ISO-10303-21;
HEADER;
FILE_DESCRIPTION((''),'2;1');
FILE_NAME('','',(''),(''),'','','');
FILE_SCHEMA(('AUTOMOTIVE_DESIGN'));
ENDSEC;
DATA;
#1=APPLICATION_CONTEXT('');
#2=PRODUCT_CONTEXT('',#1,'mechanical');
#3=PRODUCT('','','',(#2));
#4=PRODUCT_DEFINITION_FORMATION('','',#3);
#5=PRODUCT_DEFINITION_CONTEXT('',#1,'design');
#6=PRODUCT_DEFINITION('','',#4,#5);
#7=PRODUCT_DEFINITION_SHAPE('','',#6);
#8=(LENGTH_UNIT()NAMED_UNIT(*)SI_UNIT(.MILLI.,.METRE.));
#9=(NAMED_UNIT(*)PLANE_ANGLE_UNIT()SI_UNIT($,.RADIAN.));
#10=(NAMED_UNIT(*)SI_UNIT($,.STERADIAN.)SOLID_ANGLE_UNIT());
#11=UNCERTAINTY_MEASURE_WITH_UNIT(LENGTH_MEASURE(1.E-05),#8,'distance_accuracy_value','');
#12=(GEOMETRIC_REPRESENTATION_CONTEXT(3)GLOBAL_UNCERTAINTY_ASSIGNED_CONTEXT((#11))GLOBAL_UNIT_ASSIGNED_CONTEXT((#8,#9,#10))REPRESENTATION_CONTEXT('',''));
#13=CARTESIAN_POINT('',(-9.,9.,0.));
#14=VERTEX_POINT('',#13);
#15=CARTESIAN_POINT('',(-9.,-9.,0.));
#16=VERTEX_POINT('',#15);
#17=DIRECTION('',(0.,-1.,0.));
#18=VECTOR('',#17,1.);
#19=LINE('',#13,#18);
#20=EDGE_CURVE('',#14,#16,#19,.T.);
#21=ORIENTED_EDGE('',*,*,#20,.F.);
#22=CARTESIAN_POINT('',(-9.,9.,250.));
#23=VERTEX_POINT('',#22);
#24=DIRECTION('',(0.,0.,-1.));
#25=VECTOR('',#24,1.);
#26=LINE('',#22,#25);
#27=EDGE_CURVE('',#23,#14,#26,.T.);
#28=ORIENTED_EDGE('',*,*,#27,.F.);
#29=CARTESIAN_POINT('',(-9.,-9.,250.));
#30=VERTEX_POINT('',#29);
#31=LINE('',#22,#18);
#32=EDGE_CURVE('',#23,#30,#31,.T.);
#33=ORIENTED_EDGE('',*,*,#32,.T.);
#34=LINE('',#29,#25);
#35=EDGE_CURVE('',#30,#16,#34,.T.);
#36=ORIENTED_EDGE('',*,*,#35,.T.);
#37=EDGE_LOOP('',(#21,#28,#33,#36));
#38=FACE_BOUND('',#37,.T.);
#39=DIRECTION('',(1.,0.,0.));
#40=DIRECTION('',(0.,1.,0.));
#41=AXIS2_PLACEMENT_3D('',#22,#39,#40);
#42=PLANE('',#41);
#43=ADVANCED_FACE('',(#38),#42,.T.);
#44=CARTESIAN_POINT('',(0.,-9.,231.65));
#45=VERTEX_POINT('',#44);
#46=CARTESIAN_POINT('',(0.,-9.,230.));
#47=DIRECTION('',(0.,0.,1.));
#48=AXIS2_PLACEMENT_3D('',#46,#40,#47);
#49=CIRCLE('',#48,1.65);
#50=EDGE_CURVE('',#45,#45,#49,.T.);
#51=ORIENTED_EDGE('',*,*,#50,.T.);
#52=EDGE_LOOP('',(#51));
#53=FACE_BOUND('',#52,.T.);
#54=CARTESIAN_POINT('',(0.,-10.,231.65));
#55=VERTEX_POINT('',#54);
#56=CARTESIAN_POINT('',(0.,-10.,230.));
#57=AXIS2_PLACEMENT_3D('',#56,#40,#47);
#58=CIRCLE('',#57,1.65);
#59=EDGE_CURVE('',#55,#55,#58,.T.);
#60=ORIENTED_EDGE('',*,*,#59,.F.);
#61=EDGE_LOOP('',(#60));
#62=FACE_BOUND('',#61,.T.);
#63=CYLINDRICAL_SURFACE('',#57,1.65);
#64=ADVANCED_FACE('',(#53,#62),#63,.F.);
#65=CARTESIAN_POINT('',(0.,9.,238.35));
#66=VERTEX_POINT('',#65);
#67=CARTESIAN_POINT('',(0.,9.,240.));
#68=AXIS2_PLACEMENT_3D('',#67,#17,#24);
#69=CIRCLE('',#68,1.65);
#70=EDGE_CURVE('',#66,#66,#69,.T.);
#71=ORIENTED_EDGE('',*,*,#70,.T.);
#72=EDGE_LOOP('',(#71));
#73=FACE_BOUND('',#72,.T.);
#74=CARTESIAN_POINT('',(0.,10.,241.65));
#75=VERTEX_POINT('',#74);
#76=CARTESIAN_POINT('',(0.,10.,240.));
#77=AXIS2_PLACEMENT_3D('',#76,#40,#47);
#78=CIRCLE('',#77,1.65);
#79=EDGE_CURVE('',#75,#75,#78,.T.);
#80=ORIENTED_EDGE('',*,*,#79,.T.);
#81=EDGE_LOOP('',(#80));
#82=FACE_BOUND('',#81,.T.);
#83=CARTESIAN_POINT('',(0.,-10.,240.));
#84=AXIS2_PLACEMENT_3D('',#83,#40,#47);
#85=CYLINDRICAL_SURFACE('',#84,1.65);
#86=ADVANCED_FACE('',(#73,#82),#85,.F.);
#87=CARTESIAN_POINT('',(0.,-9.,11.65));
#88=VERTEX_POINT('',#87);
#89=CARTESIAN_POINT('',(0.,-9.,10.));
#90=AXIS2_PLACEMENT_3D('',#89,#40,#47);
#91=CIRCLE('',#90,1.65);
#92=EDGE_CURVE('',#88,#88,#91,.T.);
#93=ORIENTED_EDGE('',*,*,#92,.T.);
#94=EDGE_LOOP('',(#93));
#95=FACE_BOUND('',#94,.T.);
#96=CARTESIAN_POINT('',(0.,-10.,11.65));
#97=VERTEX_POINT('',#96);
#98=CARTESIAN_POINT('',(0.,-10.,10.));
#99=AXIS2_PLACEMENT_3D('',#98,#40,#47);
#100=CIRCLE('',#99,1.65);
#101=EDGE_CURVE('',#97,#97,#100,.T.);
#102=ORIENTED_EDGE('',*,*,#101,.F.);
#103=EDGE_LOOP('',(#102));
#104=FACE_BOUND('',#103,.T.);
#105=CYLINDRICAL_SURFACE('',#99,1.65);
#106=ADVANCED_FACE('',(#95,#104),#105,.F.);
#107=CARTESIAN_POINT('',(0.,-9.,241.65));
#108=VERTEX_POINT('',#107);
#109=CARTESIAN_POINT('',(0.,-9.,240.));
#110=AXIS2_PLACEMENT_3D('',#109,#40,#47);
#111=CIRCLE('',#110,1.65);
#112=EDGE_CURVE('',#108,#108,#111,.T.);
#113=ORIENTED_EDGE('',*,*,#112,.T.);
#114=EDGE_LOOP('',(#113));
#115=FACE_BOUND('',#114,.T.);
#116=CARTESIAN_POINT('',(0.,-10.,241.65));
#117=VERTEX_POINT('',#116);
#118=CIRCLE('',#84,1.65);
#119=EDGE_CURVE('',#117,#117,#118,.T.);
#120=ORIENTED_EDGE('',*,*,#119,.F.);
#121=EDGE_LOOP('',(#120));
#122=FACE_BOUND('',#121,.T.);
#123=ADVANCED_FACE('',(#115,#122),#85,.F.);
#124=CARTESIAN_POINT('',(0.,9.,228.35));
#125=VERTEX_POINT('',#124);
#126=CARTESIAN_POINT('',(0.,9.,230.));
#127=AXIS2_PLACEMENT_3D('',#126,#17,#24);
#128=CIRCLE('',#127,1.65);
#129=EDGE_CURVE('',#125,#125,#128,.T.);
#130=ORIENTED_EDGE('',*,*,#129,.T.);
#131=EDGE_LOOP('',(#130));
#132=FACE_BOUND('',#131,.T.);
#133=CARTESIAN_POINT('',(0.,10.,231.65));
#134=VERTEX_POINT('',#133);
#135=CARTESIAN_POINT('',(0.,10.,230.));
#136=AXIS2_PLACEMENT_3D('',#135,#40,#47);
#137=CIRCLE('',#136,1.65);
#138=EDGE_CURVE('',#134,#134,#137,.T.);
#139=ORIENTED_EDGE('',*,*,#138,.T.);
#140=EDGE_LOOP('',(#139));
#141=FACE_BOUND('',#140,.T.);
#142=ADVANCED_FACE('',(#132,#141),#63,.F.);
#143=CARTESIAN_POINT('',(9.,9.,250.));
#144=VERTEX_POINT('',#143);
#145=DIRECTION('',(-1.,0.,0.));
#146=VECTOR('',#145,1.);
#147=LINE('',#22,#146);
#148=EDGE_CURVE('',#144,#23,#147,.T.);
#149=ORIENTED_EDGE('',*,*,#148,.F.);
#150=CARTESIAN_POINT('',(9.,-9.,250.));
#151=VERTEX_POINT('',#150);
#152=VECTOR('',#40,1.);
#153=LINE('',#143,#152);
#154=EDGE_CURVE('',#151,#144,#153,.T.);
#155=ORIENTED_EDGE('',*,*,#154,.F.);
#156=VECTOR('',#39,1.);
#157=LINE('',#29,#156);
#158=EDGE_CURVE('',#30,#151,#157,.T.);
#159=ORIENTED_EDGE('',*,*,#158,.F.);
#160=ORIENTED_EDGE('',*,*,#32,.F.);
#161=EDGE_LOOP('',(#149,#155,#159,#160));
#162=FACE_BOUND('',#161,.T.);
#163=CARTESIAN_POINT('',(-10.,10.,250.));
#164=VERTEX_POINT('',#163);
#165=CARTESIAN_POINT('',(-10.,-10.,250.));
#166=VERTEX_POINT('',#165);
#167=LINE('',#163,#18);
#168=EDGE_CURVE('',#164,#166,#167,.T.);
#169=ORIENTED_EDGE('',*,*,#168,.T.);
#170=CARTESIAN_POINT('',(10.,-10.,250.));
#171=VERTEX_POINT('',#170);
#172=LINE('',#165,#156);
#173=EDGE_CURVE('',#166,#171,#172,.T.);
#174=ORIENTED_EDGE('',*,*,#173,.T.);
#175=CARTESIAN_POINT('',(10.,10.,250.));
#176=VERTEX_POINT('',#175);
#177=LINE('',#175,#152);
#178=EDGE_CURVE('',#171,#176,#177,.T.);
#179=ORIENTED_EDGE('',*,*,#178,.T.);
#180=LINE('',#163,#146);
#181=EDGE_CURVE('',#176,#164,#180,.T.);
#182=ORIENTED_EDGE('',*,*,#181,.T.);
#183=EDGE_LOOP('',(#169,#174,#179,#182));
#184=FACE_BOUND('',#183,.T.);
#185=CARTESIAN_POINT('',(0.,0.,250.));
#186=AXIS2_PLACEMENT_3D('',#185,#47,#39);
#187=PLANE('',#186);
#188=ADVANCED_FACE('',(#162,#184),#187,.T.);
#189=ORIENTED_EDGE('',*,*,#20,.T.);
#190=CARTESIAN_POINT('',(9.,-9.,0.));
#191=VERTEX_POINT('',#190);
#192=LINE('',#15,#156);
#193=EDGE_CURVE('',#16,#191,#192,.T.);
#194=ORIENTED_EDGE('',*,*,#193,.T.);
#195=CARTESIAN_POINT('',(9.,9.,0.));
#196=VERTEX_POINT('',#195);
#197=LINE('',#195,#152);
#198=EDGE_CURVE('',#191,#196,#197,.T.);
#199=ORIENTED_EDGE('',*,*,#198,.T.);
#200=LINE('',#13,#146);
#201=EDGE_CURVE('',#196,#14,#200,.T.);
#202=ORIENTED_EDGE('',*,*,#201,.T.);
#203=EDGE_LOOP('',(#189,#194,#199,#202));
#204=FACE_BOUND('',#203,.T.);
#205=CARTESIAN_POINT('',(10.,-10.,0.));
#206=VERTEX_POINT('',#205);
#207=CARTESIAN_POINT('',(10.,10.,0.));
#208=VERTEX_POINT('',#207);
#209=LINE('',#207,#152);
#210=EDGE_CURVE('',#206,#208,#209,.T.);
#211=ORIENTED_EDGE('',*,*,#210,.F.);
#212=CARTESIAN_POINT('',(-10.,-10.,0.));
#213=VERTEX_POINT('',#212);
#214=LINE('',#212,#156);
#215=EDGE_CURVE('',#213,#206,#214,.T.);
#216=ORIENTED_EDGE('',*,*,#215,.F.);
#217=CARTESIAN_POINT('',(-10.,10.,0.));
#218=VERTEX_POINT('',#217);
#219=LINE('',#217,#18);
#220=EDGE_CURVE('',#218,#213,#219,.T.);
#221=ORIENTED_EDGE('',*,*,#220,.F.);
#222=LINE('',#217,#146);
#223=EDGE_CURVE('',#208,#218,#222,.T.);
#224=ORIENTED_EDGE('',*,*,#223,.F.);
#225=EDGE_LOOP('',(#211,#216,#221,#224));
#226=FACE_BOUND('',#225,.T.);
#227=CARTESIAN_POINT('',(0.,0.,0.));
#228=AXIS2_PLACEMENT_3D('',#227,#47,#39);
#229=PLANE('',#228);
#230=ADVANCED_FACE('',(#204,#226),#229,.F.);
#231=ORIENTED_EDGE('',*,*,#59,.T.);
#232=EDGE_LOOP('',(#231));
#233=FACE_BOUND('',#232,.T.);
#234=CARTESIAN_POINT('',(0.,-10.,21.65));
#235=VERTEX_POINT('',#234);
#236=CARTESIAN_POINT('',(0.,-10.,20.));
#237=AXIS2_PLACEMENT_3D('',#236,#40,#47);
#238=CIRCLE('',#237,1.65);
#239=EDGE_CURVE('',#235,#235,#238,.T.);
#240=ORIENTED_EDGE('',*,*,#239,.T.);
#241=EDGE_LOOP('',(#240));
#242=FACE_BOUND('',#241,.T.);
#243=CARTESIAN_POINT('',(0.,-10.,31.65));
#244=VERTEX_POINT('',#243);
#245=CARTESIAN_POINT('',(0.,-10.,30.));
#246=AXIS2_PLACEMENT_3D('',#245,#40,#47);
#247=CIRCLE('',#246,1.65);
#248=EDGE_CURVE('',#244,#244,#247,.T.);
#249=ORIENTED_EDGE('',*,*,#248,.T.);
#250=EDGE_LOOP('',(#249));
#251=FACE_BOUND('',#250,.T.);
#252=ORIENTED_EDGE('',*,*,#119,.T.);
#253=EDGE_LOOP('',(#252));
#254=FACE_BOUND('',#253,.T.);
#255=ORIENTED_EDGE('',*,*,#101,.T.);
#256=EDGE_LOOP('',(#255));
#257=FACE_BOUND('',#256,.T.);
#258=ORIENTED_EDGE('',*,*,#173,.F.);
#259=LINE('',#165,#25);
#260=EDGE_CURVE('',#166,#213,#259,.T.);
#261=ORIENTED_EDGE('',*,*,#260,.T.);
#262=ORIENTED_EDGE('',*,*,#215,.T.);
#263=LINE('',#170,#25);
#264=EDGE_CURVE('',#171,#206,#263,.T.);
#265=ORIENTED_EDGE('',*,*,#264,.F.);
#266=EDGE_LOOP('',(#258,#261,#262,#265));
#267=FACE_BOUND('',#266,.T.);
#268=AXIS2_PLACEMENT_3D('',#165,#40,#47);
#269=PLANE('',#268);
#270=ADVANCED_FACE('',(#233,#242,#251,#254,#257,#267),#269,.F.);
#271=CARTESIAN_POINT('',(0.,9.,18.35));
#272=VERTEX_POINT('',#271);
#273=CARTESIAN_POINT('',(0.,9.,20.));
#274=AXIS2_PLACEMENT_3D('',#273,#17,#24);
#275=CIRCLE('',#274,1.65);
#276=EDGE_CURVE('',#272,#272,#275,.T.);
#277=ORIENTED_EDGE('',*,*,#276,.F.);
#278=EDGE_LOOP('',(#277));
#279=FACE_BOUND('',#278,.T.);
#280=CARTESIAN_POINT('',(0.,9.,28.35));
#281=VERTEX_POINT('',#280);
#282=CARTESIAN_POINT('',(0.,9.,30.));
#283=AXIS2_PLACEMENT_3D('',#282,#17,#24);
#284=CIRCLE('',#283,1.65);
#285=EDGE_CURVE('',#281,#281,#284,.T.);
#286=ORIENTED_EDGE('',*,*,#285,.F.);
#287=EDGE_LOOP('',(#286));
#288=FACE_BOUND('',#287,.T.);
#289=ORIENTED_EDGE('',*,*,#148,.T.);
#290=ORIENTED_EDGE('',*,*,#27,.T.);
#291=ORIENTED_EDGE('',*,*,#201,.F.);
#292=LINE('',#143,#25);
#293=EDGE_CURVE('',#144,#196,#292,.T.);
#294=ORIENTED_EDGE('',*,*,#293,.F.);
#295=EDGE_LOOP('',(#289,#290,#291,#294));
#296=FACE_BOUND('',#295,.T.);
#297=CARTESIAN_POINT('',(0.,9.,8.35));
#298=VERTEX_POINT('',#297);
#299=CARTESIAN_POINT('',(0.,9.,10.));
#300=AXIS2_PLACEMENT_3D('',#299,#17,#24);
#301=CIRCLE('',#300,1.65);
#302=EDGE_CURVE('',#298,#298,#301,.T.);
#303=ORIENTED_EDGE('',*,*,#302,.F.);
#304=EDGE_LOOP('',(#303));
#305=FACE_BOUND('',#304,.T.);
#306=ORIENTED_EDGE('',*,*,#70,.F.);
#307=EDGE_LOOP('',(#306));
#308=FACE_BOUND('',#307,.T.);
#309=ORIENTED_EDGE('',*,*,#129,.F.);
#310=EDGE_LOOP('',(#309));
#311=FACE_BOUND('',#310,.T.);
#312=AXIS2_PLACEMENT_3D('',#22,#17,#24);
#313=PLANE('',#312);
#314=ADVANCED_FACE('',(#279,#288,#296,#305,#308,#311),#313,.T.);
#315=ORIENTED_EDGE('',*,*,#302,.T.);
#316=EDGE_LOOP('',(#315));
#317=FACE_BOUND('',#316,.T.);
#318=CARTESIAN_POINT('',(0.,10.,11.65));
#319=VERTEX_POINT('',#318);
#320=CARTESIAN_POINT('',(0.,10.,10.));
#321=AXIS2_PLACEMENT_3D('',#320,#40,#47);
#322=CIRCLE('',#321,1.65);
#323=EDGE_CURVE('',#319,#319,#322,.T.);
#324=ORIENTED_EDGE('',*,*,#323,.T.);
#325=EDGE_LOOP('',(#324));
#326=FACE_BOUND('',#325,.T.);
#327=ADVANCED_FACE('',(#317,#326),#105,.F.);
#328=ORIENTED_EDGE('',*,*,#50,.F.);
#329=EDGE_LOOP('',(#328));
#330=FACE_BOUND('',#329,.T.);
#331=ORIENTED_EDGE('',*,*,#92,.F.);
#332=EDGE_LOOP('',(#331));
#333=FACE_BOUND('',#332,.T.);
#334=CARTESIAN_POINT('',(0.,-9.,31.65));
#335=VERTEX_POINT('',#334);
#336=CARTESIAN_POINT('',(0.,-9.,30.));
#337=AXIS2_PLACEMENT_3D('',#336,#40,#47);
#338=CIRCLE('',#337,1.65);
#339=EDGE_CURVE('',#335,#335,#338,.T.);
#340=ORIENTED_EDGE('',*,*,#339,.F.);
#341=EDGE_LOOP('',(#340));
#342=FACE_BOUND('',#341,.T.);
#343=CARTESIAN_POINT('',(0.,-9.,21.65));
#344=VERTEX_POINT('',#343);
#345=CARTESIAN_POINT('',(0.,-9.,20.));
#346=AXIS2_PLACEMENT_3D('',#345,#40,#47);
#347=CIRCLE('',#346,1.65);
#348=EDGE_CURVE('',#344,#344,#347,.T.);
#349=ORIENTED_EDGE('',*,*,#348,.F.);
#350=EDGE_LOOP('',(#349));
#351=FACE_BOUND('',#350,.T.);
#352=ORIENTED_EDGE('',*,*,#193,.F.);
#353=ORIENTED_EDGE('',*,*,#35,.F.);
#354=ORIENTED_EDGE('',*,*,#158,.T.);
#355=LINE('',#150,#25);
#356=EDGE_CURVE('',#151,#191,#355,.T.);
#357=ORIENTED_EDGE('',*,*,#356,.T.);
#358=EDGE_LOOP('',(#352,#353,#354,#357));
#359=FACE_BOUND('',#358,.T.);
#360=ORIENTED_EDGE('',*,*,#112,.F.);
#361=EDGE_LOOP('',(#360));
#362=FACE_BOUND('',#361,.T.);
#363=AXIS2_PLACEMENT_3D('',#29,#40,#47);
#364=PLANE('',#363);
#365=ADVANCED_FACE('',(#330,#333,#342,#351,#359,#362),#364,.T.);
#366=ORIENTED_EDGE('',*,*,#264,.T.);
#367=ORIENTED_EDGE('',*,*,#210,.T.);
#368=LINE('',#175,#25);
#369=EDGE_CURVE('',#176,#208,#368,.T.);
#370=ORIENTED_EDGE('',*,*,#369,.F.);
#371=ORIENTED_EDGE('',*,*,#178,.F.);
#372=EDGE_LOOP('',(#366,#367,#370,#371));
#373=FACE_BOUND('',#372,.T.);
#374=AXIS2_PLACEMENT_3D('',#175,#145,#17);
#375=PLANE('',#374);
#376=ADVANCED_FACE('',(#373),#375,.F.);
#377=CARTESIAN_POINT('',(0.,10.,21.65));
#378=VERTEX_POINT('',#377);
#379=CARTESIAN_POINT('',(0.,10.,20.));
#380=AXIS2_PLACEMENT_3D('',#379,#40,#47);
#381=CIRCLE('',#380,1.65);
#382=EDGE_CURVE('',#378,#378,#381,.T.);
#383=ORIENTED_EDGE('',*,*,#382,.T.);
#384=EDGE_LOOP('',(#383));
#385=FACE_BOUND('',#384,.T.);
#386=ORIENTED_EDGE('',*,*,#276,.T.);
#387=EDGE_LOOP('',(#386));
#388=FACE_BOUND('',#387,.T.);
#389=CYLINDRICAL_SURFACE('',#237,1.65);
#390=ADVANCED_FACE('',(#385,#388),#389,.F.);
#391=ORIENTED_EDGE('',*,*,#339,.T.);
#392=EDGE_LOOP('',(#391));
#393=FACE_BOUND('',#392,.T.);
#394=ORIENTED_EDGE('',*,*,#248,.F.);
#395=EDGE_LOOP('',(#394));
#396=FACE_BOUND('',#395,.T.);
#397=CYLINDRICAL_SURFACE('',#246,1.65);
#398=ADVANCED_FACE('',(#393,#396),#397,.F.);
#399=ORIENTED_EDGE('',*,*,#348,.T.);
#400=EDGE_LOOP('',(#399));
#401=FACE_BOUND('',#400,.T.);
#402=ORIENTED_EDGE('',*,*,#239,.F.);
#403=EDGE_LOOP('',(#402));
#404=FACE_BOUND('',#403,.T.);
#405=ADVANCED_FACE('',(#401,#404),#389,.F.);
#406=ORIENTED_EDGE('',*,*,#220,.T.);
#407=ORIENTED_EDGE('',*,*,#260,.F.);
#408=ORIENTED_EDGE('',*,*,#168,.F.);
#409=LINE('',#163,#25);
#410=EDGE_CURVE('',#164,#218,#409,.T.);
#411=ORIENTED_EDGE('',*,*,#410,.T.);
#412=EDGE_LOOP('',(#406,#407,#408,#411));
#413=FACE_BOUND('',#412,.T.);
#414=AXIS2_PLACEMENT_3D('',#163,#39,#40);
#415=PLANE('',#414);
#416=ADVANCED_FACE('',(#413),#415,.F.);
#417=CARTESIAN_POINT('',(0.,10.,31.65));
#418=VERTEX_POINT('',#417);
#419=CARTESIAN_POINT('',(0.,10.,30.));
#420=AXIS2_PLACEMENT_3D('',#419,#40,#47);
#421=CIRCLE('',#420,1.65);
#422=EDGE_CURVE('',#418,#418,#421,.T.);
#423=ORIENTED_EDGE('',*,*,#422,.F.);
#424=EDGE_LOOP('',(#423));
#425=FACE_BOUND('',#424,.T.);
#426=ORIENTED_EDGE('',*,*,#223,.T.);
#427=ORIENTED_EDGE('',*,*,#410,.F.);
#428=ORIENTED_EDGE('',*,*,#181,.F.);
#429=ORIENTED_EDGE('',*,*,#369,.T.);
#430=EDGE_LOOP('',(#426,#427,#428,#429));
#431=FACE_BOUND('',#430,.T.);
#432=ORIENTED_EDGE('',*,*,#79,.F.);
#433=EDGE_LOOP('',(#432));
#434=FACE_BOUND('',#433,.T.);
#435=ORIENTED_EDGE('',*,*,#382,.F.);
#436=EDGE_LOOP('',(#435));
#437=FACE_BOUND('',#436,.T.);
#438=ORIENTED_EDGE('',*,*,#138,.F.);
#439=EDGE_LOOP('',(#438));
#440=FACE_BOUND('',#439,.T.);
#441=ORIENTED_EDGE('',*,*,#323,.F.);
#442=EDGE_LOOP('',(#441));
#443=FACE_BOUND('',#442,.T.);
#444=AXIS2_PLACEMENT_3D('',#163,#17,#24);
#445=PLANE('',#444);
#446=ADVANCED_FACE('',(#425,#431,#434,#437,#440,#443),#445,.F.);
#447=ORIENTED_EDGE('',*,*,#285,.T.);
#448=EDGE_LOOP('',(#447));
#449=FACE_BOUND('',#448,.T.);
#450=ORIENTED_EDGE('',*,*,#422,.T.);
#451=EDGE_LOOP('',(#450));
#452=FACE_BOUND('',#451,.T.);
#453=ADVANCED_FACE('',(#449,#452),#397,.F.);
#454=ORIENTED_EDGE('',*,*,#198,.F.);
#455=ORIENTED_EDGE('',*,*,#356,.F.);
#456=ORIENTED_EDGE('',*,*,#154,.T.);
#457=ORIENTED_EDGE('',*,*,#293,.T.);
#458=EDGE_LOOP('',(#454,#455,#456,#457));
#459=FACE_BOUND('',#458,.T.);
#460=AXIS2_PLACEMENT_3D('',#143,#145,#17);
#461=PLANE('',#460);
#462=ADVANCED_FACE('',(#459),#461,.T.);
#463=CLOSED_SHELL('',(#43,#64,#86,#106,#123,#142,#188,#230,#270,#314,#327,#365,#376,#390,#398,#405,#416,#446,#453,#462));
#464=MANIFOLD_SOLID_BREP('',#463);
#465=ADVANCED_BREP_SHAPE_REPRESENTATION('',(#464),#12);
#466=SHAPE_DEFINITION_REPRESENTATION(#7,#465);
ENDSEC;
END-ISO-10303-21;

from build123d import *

# Parameters (mm, degrees)
SKETCH_1_W          = 20
SKETCH_1_H          = 20
SKETCH_1_W_2        = 18
SKETCH_1_H_2        = 18
EXTRUDE_1_DEPTH     = 250
SKETCH_2_R          = 1.65
CUT_EXTRUDE_1_DEPTH = 251.99800796


with BuildPart() as part:
    # 草图1 → 凸台-拉伸1 (new body)
    with BuildSketch(Plane.XY):
        Rectangle(SKETCH_1_W, SKETCH_1_H)
        Rectangle(SKETCH_1_W_2, SKETCH_1_H_2, mode=Mode.SUBTRACT)
    extrude(amount=EXTRUDE_1_DEPTH)

    # 草图2 → 切除-拉伸1 (cut, through all)
    with BuildSketch(Plane(origin=(0, 10, 0), x_dir=(1, 0, 0), z_dir=(0, 1, 0))):
        with Locations(Location((0, -10, 0), (0, 0, 270))):
            Circle(SKETCH_2_R)
        with Locations(Location((0, -20, 0), (0, 0, 270))):
            Circle(SKETCH_2_R)
        with Locations(Location((0, -30, 0), (0, 0, 270))):
            Circle(SKETCH_2_R)
        with Locations(Location((0, -240, 0), (0, 0, 270))):
            Circle(SKETCH_2_R)
        with Locations(Location((0, -230, 0), (0, 0, 270))):
            Circle(SKETCH_2_R)
    extrude(amount=-CUT_EXTRUDE_1_DEPTH, mode=Mode.SUBTRACT)


solid = part.part
